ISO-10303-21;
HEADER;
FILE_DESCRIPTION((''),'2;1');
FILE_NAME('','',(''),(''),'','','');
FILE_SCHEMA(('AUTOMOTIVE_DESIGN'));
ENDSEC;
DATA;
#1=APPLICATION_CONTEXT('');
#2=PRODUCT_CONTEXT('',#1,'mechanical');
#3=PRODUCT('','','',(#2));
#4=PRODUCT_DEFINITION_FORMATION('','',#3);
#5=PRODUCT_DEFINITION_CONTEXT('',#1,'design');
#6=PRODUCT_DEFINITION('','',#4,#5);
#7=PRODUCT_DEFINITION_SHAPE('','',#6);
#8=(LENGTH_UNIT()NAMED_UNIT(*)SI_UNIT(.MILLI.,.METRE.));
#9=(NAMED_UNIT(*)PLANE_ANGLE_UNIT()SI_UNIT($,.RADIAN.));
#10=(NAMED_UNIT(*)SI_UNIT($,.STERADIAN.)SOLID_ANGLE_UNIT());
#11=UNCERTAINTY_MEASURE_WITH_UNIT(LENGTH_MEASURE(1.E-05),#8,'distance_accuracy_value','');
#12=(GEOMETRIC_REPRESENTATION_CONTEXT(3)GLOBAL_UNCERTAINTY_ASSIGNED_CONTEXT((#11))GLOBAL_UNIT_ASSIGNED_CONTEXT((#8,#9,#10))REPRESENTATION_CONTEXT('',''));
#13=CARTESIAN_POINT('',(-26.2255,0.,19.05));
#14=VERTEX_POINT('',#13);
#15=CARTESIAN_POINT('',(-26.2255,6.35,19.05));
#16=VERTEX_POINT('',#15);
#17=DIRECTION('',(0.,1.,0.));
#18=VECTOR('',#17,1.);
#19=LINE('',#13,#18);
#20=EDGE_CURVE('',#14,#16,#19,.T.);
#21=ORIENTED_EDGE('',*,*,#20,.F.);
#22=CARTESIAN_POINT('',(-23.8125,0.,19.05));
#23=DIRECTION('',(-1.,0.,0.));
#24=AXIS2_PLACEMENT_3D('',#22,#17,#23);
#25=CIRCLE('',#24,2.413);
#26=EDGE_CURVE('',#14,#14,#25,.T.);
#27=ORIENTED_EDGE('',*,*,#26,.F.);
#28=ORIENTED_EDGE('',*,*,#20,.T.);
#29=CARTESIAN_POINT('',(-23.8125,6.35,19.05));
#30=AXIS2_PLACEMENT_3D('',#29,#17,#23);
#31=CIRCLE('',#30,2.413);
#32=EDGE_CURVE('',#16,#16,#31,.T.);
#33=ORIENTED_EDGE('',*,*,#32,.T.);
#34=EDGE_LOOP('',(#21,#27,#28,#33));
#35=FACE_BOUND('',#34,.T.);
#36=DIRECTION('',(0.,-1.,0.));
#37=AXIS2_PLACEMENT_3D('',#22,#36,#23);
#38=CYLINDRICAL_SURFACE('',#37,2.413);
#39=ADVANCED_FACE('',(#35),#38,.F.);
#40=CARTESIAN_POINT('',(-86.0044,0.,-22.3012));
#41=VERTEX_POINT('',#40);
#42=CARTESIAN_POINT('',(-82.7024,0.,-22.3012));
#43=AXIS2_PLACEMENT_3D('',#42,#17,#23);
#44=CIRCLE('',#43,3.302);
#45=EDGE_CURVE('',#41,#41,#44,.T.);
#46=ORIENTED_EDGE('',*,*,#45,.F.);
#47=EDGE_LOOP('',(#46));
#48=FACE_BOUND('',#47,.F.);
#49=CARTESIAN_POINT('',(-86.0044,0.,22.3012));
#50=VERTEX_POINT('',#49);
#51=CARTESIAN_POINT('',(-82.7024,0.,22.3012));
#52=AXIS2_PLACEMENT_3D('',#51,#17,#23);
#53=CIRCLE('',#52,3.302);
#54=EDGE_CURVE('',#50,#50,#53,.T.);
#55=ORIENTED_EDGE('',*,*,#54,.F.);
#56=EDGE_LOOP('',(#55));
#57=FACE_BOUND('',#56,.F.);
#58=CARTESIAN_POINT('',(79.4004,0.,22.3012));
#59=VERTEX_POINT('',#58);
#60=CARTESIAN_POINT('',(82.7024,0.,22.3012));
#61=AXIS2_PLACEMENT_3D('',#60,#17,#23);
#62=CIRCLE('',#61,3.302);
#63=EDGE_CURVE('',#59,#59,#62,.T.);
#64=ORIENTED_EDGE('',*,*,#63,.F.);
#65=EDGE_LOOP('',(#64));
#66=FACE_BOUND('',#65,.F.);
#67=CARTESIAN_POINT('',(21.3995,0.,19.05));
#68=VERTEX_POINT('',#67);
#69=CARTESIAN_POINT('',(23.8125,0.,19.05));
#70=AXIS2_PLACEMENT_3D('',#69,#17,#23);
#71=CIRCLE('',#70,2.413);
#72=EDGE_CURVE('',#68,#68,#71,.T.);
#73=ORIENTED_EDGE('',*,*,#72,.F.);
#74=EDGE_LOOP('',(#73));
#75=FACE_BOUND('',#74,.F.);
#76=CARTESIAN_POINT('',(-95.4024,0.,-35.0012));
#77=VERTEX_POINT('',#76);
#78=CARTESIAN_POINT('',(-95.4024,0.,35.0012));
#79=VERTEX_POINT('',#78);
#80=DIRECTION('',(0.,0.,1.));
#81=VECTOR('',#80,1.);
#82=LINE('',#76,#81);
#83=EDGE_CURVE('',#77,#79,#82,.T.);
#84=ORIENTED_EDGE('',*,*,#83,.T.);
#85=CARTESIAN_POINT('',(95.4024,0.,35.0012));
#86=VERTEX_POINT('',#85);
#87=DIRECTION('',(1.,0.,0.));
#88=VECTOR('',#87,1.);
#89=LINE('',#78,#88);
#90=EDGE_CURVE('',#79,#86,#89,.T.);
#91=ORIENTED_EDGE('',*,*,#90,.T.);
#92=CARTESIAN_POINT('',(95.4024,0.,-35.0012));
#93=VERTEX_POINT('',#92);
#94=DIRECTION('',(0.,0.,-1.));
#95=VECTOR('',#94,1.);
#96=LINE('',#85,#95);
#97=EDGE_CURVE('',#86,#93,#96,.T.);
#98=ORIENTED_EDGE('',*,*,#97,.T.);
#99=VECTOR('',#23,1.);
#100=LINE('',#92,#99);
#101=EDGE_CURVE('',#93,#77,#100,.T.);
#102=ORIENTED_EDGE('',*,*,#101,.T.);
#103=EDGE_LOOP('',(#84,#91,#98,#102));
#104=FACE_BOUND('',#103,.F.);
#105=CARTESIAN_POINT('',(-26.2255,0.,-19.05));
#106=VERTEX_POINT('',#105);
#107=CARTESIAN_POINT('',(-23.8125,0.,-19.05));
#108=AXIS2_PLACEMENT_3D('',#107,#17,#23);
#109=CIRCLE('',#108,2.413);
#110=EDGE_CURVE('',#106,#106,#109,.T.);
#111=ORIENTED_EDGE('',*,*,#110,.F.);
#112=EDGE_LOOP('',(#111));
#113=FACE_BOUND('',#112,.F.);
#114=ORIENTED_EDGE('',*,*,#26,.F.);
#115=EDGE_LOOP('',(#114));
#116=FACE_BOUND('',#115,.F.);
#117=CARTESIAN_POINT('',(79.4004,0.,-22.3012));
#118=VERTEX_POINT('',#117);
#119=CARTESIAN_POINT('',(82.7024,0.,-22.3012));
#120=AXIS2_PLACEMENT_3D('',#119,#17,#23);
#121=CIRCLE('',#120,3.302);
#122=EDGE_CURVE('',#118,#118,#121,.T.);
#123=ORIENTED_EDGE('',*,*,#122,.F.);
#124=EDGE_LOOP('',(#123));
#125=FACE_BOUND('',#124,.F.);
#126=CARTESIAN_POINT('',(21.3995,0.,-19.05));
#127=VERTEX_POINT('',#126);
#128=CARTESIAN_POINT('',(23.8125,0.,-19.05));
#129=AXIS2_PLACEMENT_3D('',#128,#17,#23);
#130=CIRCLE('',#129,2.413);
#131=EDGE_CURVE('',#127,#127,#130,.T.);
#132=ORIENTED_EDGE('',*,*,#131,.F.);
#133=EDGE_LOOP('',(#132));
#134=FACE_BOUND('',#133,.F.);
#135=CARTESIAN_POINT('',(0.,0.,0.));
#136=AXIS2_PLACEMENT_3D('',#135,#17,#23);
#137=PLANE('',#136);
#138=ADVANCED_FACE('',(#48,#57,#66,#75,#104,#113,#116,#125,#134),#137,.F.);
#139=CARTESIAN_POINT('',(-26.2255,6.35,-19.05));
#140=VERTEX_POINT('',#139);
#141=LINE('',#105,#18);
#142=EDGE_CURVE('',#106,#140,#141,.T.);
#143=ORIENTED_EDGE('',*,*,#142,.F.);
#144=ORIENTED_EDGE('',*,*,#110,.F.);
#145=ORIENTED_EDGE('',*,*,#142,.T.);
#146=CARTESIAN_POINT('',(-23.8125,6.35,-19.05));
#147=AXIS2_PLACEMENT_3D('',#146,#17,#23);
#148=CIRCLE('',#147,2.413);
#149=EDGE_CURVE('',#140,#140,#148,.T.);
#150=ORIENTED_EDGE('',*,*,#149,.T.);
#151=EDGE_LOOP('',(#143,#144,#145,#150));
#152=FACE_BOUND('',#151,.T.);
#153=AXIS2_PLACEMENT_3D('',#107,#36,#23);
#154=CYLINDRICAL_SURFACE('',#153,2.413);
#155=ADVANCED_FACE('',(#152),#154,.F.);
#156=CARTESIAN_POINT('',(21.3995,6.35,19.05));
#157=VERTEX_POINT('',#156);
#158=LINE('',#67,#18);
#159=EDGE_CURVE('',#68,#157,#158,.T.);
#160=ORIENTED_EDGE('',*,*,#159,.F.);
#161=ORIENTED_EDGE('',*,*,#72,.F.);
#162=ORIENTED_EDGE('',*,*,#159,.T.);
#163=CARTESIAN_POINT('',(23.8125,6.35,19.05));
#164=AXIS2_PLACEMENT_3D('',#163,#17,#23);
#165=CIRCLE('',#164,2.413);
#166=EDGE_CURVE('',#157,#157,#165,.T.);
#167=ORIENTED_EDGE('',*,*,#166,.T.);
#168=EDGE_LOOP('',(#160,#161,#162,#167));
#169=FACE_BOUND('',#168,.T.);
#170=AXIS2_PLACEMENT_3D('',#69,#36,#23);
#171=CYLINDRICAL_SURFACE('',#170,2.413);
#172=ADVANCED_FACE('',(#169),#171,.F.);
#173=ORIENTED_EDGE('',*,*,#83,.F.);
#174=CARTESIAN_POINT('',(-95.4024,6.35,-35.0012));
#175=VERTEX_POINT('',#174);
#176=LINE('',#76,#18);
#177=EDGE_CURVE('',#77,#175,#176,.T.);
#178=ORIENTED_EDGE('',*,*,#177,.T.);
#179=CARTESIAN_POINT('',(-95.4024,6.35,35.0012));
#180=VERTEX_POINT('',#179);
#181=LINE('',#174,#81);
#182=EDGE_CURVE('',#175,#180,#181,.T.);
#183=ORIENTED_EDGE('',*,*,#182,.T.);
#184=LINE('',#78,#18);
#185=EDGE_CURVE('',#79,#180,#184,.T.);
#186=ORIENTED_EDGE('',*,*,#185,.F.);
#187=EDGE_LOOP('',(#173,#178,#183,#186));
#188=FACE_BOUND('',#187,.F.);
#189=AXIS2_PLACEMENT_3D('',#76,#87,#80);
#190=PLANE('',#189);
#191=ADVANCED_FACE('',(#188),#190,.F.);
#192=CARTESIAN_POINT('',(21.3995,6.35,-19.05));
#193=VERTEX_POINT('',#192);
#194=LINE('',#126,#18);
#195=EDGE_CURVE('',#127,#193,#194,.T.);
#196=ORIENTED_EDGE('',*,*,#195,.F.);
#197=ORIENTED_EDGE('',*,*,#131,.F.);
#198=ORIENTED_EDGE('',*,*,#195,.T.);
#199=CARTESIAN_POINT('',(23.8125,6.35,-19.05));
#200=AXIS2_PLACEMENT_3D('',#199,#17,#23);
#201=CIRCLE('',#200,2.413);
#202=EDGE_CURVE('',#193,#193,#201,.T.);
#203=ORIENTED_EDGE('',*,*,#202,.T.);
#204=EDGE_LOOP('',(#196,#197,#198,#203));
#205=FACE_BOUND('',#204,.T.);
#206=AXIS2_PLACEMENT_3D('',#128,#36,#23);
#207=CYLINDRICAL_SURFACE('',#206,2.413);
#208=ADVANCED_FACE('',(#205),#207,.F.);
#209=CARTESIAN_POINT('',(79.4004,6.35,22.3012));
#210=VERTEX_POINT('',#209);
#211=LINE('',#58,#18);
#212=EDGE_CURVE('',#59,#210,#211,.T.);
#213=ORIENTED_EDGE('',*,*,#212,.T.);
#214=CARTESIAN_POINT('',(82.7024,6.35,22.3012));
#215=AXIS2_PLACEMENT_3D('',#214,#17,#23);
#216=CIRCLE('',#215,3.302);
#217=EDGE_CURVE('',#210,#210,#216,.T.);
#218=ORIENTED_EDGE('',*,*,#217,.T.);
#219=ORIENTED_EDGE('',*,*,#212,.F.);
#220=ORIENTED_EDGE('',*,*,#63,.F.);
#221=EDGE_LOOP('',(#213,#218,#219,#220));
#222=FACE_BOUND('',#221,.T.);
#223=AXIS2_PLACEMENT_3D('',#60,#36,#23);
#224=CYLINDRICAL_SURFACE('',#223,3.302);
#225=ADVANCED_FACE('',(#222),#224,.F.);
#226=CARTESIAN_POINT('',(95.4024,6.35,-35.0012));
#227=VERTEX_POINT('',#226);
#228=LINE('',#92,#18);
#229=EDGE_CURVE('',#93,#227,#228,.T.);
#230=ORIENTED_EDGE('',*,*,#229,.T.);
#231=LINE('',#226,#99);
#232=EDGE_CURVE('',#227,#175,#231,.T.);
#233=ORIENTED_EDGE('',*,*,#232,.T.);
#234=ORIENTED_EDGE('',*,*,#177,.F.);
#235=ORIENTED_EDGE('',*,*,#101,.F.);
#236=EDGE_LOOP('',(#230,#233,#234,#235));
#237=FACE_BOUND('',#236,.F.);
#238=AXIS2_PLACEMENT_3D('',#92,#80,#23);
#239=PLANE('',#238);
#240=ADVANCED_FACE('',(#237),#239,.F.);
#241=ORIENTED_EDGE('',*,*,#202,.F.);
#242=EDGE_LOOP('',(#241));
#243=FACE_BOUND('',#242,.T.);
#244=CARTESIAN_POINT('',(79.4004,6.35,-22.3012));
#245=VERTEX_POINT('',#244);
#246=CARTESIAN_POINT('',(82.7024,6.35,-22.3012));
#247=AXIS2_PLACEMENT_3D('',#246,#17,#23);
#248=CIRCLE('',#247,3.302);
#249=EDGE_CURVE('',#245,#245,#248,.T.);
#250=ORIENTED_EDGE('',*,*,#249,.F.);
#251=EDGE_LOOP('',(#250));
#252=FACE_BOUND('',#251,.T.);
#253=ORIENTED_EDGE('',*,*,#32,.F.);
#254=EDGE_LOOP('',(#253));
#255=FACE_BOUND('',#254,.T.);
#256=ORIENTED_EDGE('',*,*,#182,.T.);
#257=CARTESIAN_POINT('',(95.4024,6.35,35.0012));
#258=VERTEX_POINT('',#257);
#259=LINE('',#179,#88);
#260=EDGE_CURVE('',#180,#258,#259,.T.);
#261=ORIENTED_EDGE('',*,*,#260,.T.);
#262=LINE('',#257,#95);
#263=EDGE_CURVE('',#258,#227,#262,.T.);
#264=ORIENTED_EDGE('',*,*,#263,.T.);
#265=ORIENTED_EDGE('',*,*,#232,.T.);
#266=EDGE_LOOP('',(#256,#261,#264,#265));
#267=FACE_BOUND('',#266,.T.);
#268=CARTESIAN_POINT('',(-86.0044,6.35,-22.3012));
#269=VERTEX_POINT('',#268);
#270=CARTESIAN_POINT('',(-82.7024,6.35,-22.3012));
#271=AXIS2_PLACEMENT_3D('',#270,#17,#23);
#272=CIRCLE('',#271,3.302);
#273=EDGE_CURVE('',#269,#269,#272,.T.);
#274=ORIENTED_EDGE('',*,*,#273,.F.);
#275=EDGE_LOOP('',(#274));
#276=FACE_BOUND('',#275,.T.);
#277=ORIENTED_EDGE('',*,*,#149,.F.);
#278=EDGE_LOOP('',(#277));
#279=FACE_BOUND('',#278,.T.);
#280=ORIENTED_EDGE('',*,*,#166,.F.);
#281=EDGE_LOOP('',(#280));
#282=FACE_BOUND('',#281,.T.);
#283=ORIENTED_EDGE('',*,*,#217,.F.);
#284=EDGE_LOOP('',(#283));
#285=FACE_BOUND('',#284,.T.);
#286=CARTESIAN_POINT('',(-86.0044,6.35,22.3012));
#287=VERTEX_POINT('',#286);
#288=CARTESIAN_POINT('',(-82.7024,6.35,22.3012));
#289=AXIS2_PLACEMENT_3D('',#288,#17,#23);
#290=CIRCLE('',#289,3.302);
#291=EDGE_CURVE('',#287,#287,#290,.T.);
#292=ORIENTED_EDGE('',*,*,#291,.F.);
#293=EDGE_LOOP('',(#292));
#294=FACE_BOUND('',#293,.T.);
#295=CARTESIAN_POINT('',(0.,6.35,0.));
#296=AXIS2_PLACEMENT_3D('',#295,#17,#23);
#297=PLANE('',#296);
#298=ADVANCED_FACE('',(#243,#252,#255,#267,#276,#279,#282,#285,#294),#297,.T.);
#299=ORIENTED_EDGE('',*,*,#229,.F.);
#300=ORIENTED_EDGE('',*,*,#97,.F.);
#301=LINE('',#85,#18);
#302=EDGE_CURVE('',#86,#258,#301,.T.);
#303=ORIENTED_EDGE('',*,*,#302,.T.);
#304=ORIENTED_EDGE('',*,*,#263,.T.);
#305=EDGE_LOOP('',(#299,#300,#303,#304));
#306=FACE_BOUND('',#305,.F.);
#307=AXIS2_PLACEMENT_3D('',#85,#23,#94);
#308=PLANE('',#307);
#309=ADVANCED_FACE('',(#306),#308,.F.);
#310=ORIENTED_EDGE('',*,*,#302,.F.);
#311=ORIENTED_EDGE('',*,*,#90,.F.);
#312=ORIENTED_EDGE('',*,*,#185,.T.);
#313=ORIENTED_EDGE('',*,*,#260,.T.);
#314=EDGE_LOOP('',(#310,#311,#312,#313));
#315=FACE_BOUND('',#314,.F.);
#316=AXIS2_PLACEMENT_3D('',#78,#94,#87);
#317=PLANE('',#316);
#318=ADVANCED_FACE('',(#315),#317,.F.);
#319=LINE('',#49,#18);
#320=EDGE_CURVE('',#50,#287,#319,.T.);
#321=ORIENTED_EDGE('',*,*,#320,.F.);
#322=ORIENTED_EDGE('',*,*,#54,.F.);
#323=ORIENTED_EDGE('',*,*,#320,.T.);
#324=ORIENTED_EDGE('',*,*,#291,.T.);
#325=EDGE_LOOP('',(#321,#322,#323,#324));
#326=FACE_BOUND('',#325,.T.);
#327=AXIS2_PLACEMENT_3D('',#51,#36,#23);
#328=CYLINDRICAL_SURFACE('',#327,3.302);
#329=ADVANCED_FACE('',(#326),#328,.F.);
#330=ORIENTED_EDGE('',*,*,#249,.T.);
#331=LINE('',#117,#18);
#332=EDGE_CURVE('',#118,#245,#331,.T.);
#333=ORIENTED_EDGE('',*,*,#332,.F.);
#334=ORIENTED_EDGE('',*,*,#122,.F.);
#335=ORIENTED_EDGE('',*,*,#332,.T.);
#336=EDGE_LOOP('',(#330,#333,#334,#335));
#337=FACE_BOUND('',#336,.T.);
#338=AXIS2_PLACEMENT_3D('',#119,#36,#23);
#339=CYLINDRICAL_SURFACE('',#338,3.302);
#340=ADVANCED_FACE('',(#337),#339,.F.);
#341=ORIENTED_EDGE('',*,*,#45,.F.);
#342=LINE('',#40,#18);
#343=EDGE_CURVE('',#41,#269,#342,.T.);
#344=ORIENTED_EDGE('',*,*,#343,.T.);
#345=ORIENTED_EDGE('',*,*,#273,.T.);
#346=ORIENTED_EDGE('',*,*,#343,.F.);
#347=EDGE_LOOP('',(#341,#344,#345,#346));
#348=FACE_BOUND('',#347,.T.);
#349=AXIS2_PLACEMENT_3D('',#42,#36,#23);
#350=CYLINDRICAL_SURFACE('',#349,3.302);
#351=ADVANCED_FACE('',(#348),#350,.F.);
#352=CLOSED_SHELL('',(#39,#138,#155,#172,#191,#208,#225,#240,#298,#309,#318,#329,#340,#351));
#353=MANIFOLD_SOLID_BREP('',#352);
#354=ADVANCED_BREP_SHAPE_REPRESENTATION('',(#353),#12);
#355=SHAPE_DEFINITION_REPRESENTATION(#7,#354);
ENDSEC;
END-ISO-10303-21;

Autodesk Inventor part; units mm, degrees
ref_plane "YZ Plane" through (0, 0, 0) normal (1, 0, 0) x (0, 1, 0)
ref_plane "XZ Plane" through (0, 0, 0) normal (0, 1, 0) x (-1, 0, 0)
ref_plane "XY Plane" through (0, 0, 0) normal (0, 0, 1) x (1, 0, 0)
sketch "Sketch1" plane through (0, 0, 0) normal (0, 1, 0) x (-1, 0, 0)
  line L0 (95.4024, 35.0012) -> (-95.4024, 35.0012)
  line L1 (-95.4024, 35.0012) -> (-95.4024, -35.0012)
  line L2 (-95.4024, -35.0012) -> (95.4024, -35.0012)
  line L3 (95.4024, -35.0012) -> (95.4024, 35.0012)
  line L4 (95.4024, 35.0012) -> (-95.4024, -35.0012) construction
  line L5 (-95.4024, 35.0012) -> (95.4024, -35.0012) construction
  circle A0 centre (82.7024, -22.3012) radius 3.302
  circle A1 centre (-82.7024, -22.3012) radius 3.302
  circle A2 centre (-82.7024, 22.3012) radius 3.302
  circle A3 centre (82.7024, 22.3012) radius 3.302
  line L6 (40.9111, -19.05) -> (-47.9889, -19.05) construction
  line L7 (40.9111, 19.05) -> (-47.9889, 19.05) construction
  circle A4 centre (23.8125, -19.05) radius 2.413
  circle A5 centre (-23.8125, -19.05) radius 2.413
  circle A6 centre (23.8125, 19.05) radius 2.413
  circle A7 centre (-23.8125, 19.05) radius 2.413
  point P0 (0, 0)
  dimension "d0" = 190.8048
  dimension "d1" = 70.0024
  dimension "d2" = 6.604
  dimension "d3" = 12.7
  dimension "d4" = 12.7
  dimension "d5" = 6.604
  dimension "d6" = 12.7
  dimension "d7" = 6.604
  dimension "d8" = 12.7
  dimension "d9" = 6.604
  dimension "d10" = 88.9
  dimension "d11" = 88.9
  dimension "d12" = 38.1
  dimension "d13" = 19.05
  dimension "d14" = 4.826
  dimension "d15" = 4.826
  dimension "d16" = 47.625
  dimension "d17" = 23.8125
  dimension "d18" = 4.826
  dimension "d19" = 4.826
extrude "Extrusion1" add sketch "Sketch1" along normal blind 6.35
equation "\"d13\" = 0.5 * d12"
equation "\"d17\" = 0.5 * d16"
properties part number "SequenceMachine_ManifoldPlate"
